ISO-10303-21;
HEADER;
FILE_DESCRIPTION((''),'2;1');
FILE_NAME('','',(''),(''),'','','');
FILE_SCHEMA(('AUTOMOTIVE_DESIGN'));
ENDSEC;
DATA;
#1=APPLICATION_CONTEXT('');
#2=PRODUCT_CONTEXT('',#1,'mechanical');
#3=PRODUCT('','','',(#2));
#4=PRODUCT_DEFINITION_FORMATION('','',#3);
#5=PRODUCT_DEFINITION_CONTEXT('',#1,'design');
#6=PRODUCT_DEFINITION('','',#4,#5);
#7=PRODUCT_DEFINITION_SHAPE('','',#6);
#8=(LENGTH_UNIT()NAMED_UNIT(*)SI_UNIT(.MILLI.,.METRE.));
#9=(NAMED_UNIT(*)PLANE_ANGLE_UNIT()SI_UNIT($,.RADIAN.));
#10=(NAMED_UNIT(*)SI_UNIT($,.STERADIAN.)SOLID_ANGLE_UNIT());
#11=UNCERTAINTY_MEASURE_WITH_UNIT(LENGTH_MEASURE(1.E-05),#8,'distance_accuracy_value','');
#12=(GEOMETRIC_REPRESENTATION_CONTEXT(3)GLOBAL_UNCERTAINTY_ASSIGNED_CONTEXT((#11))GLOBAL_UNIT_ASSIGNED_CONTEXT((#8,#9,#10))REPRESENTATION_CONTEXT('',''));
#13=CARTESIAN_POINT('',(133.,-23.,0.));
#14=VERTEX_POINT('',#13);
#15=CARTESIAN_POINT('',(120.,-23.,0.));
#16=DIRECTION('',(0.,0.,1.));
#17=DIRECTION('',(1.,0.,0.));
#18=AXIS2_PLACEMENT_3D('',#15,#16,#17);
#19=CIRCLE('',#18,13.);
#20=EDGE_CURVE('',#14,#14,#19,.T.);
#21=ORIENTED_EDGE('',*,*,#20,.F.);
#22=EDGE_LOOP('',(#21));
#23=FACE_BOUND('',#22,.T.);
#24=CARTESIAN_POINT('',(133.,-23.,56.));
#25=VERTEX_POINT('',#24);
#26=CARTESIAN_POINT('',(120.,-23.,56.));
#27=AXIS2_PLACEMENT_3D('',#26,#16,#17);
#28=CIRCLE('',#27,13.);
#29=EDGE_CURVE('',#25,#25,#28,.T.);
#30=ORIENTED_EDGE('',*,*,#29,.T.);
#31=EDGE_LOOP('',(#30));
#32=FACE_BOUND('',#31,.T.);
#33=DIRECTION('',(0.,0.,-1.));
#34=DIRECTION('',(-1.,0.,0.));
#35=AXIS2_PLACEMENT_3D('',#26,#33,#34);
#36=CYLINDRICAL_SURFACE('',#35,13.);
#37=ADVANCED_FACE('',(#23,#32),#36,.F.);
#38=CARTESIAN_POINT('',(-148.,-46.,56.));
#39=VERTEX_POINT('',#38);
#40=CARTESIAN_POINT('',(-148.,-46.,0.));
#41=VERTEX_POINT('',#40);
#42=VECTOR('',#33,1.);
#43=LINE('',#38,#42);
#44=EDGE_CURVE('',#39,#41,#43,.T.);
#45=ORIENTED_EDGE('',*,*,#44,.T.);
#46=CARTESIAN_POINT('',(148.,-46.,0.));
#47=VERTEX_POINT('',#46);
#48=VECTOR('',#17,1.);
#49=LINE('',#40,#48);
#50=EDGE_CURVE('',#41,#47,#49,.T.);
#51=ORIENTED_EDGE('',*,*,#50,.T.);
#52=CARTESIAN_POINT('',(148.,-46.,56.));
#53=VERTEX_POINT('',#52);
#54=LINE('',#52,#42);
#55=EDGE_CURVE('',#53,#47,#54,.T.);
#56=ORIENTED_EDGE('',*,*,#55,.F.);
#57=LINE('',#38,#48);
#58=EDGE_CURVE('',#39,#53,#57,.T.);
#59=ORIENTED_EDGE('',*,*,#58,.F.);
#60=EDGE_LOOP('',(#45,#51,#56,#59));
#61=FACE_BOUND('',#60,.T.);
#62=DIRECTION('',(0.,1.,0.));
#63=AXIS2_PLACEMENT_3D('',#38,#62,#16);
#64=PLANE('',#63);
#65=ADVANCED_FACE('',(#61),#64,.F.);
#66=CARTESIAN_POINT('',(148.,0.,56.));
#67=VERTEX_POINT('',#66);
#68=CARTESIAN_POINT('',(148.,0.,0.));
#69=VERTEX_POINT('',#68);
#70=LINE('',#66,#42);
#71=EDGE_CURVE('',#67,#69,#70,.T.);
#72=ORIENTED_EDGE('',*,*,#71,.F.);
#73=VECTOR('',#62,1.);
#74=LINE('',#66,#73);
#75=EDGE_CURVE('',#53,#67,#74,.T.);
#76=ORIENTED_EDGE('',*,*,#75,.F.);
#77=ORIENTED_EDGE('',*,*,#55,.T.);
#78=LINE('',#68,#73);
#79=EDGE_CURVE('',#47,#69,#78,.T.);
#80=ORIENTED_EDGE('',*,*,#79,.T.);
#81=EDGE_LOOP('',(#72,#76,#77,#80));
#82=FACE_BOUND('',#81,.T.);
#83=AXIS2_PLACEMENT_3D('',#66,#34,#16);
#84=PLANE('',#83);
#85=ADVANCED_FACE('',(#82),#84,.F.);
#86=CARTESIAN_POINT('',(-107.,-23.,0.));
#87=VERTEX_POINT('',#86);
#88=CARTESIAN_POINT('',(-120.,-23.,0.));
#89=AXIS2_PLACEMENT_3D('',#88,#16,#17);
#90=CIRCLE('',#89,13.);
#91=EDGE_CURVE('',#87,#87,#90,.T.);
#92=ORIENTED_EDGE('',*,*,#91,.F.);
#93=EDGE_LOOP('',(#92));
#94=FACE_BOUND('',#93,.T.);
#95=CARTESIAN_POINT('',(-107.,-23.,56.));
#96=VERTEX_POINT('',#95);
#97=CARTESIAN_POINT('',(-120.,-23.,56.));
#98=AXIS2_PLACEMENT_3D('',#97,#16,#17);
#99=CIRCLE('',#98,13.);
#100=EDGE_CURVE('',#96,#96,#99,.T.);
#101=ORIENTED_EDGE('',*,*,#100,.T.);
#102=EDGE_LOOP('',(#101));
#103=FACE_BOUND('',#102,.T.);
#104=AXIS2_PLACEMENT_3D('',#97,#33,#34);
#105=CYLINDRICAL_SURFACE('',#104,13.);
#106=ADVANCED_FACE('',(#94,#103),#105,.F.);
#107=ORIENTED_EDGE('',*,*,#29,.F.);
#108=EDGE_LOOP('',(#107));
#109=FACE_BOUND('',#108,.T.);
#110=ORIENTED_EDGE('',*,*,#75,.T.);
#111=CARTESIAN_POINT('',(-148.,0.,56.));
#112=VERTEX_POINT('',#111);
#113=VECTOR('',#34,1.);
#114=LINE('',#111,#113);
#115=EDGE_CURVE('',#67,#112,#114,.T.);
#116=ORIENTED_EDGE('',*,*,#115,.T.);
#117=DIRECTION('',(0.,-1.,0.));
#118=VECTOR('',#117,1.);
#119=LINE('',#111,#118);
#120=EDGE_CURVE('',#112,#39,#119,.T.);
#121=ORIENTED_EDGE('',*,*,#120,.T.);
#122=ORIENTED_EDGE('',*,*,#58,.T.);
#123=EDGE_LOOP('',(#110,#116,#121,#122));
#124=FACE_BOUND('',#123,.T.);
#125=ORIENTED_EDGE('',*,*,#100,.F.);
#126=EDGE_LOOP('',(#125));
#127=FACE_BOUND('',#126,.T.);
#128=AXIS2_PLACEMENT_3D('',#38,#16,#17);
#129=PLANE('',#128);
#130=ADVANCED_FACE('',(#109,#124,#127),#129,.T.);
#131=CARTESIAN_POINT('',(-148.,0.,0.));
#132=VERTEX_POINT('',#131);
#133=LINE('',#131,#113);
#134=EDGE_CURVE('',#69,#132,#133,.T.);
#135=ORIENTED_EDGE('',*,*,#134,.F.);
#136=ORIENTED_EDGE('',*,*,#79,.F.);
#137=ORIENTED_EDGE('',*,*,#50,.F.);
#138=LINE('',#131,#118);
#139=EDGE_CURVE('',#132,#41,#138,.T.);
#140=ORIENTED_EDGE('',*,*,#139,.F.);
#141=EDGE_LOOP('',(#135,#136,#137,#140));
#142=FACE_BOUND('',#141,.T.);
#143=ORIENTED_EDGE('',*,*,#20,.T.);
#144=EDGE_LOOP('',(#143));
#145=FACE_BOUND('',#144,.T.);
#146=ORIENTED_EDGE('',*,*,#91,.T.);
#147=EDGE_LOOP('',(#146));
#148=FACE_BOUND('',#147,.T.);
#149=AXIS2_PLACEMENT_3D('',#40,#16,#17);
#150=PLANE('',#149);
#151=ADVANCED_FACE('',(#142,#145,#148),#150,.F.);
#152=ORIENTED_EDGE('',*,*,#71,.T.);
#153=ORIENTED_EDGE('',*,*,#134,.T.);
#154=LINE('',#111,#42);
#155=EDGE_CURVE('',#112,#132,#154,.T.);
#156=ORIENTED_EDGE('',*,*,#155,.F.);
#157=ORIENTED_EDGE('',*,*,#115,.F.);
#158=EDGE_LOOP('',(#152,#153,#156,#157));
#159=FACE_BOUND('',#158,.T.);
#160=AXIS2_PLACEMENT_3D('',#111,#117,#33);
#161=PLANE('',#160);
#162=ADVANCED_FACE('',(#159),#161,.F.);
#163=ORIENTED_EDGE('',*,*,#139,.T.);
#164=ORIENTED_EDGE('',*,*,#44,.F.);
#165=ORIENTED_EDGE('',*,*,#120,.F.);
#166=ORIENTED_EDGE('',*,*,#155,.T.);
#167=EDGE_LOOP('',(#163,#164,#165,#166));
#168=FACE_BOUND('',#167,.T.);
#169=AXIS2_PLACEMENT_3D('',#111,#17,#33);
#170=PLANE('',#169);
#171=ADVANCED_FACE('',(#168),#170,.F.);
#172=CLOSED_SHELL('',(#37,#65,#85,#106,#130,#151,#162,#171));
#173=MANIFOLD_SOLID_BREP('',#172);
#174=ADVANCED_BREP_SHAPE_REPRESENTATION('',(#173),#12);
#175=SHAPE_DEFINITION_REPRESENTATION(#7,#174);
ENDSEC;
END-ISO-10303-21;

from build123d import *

# Parameters (mm, degrees)
SKETCH1_W      = 296
SKETCH1_H      = 46
SKETCH1_R      = 13
EXTRUDE1_DEPTH = 56


with BuildPart() as part:
    # Sketch1 → Extrude1 (new body)
    with BuildSketch(Plane.XY):
        with Locations((0, -23)):
            Rectangle(SKETCH1_W, SKETCH1_H)
        with Locations((-120, -23)):
            Circle(SKETCH1_R, mode=Mode.SUBTRACT)
        with Locations((120, -23)):
            Circle(SKETCH1_R, mode=Mode.SUBTRACT)
    extrude(amount=EXTRUDE1_DEPTH)


solid = part.part
